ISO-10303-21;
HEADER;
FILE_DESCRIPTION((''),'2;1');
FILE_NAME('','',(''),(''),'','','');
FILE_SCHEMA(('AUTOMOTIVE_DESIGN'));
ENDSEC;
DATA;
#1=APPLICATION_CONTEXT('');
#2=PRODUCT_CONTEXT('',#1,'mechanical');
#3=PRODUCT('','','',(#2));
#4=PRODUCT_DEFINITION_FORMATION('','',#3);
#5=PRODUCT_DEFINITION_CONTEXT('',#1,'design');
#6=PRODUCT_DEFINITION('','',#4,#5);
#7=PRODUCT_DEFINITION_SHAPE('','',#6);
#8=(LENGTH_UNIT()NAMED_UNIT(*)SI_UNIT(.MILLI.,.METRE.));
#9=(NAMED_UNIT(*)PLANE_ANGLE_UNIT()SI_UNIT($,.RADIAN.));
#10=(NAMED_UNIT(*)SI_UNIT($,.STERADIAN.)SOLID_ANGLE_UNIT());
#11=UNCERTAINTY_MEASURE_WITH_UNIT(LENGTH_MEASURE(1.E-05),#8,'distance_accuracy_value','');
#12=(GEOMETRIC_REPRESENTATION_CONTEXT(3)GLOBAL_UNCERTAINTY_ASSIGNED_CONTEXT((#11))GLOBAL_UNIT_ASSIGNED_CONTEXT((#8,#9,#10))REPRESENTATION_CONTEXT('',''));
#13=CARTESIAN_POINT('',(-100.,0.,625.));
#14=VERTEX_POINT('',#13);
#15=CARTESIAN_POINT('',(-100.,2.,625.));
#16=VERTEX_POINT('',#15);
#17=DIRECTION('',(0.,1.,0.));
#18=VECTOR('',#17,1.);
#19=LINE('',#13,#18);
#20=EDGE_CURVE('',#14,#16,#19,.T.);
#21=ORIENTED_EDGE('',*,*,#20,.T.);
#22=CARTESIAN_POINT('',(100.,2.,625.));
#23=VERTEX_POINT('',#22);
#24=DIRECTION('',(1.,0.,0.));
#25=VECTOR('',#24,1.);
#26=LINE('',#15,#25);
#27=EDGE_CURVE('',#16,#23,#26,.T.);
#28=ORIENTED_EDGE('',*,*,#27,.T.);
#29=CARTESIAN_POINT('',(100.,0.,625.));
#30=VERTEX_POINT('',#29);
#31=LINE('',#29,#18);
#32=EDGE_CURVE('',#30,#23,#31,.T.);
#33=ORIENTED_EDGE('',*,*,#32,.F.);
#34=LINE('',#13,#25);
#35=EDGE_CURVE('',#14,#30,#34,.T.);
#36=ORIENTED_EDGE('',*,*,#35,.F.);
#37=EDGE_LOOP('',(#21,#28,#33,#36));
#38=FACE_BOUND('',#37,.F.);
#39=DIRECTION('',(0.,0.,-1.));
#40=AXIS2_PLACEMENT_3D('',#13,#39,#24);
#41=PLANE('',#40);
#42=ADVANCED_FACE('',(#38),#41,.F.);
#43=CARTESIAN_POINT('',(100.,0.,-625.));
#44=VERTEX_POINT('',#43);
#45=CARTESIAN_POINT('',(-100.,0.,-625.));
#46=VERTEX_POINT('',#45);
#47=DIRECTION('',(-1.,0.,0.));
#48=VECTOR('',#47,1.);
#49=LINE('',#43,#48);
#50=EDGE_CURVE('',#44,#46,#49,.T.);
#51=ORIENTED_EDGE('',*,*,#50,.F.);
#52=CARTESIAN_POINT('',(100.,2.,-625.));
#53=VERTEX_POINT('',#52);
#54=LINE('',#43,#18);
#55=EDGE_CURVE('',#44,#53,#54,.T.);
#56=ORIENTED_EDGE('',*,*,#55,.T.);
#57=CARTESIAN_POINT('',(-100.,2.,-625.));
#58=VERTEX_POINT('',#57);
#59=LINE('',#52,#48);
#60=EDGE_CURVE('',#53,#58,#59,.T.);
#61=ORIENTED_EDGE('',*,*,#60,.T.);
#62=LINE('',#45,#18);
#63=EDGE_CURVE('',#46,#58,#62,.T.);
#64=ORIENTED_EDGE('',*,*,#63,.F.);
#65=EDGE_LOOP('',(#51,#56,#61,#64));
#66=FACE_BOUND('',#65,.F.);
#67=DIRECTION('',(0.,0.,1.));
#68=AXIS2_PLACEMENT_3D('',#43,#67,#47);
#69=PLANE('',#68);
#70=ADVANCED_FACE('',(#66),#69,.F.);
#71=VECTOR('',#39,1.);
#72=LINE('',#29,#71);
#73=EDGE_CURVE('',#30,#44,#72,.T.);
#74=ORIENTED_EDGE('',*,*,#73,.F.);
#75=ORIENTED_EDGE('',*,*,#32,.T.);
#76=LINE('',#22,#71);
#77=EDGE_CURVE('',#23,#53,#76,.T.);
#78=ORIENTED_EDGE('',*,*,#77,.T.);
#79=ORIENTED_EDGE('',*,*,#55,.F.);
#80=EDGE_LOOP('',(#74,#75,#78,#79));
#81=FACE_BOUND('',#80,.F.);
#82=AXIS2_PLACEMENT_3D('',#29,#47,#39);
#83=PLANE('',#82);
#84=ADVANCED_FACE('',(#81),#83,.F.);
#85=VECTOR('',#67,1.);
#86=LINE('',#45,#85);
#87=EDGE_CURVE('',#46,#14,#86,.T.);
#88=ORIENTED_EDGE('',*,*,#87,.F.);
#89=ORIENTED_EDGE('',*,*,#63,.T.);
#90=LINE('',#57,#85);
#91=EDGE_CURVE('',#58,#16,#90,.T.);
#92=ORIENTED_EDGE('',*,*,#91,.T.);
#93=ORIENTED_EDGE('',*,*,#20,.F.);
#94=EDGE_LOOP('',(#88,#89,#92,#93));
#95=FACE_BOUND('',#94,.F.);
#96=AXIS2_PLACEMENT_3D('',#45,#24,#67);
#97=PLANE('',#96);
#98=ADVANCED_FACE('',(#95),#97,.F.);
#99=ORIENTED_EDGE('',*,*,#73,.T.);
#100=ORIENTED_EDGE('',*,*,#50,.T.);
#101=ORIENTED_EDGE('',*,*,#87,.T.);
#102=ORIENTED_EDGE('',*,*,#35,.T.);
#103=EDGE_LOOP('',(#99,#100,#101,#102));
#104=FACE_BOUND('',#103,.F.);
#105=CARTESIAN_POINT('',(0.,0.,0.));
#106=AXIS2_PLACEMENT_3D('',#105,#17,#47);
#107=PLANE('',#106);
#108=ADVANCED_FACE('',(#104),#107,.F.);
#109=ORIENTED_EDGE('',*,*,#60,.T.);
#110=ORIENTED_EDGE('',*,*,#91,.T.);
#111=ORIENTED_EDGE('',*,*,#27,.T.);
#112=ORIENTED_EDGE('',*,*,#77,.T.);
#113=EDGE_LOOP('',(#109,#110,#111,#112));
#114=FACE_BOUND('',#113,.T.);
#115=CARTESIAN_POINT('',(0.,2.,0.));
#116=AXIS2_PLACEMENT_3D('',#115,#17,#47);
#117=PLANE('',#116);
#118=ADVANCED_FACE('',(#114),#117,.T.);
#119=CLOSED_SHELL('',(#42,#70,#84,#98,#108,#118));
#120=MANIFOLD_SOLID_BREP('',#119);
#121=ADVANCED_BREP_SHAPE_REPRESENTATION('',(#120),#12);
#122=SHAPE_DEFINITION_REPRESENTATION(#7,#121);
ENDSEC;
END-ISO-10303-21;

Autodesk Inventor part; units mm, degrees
ref_plane "YZ Plane" through (0, 0, 0) normal (1, 0, 0) x (0, 1, 0)
ref_plane "XZ Plane" through (0, 0, 0) normal (0, 1, 0) x (-1, 0, 0)
ref_plane "XY Plane" through (0, 0, 0) normal (0, 0, 1) x (1, 0, 0)
sketch "Sketch1" plane through (0, 0, 0) normal (0, 1, 0) x (-1, 0, 0)
  line L0 (100, 625) -> (-100, 625)
  line L1 (-100, 625) -> (-100, -625)
  line L2 (-100, -625) -> (100, -625)
  line L3 (100, -625) -> (100, 625)
  line L4 (100, 625) -> (-100, -625) construction
  point P0 (0, 0)
  point P1 (0, 0)
  dimension "d0" = 200
  dimension "d1" = 1250
extrude "Plate1" add sketch "Sketch1" along normal blind 2
equation "\"d2\" = Thickness"
equation "\"BendReliefWidth\" = Thickness"
equation "\"BendReliefDepth\" = 0.5 * Thickness"
equation "\"CornerReliefSize\" = 4 * Thickness"
equation "\"MinimumRemnant\" = 2 * Thickness"
equation "\"TransitionRadius\" = BendRadius"
equation "\"JacobiRadiusSize\" = BendRadius"
equation "\"GapSize\" = Thickness"
equation "\"Thickness\" = 2"
equation "\"BendRadius\" = 2.75"
properties part number "Ограждающий борт" material "Stainless Steel"
